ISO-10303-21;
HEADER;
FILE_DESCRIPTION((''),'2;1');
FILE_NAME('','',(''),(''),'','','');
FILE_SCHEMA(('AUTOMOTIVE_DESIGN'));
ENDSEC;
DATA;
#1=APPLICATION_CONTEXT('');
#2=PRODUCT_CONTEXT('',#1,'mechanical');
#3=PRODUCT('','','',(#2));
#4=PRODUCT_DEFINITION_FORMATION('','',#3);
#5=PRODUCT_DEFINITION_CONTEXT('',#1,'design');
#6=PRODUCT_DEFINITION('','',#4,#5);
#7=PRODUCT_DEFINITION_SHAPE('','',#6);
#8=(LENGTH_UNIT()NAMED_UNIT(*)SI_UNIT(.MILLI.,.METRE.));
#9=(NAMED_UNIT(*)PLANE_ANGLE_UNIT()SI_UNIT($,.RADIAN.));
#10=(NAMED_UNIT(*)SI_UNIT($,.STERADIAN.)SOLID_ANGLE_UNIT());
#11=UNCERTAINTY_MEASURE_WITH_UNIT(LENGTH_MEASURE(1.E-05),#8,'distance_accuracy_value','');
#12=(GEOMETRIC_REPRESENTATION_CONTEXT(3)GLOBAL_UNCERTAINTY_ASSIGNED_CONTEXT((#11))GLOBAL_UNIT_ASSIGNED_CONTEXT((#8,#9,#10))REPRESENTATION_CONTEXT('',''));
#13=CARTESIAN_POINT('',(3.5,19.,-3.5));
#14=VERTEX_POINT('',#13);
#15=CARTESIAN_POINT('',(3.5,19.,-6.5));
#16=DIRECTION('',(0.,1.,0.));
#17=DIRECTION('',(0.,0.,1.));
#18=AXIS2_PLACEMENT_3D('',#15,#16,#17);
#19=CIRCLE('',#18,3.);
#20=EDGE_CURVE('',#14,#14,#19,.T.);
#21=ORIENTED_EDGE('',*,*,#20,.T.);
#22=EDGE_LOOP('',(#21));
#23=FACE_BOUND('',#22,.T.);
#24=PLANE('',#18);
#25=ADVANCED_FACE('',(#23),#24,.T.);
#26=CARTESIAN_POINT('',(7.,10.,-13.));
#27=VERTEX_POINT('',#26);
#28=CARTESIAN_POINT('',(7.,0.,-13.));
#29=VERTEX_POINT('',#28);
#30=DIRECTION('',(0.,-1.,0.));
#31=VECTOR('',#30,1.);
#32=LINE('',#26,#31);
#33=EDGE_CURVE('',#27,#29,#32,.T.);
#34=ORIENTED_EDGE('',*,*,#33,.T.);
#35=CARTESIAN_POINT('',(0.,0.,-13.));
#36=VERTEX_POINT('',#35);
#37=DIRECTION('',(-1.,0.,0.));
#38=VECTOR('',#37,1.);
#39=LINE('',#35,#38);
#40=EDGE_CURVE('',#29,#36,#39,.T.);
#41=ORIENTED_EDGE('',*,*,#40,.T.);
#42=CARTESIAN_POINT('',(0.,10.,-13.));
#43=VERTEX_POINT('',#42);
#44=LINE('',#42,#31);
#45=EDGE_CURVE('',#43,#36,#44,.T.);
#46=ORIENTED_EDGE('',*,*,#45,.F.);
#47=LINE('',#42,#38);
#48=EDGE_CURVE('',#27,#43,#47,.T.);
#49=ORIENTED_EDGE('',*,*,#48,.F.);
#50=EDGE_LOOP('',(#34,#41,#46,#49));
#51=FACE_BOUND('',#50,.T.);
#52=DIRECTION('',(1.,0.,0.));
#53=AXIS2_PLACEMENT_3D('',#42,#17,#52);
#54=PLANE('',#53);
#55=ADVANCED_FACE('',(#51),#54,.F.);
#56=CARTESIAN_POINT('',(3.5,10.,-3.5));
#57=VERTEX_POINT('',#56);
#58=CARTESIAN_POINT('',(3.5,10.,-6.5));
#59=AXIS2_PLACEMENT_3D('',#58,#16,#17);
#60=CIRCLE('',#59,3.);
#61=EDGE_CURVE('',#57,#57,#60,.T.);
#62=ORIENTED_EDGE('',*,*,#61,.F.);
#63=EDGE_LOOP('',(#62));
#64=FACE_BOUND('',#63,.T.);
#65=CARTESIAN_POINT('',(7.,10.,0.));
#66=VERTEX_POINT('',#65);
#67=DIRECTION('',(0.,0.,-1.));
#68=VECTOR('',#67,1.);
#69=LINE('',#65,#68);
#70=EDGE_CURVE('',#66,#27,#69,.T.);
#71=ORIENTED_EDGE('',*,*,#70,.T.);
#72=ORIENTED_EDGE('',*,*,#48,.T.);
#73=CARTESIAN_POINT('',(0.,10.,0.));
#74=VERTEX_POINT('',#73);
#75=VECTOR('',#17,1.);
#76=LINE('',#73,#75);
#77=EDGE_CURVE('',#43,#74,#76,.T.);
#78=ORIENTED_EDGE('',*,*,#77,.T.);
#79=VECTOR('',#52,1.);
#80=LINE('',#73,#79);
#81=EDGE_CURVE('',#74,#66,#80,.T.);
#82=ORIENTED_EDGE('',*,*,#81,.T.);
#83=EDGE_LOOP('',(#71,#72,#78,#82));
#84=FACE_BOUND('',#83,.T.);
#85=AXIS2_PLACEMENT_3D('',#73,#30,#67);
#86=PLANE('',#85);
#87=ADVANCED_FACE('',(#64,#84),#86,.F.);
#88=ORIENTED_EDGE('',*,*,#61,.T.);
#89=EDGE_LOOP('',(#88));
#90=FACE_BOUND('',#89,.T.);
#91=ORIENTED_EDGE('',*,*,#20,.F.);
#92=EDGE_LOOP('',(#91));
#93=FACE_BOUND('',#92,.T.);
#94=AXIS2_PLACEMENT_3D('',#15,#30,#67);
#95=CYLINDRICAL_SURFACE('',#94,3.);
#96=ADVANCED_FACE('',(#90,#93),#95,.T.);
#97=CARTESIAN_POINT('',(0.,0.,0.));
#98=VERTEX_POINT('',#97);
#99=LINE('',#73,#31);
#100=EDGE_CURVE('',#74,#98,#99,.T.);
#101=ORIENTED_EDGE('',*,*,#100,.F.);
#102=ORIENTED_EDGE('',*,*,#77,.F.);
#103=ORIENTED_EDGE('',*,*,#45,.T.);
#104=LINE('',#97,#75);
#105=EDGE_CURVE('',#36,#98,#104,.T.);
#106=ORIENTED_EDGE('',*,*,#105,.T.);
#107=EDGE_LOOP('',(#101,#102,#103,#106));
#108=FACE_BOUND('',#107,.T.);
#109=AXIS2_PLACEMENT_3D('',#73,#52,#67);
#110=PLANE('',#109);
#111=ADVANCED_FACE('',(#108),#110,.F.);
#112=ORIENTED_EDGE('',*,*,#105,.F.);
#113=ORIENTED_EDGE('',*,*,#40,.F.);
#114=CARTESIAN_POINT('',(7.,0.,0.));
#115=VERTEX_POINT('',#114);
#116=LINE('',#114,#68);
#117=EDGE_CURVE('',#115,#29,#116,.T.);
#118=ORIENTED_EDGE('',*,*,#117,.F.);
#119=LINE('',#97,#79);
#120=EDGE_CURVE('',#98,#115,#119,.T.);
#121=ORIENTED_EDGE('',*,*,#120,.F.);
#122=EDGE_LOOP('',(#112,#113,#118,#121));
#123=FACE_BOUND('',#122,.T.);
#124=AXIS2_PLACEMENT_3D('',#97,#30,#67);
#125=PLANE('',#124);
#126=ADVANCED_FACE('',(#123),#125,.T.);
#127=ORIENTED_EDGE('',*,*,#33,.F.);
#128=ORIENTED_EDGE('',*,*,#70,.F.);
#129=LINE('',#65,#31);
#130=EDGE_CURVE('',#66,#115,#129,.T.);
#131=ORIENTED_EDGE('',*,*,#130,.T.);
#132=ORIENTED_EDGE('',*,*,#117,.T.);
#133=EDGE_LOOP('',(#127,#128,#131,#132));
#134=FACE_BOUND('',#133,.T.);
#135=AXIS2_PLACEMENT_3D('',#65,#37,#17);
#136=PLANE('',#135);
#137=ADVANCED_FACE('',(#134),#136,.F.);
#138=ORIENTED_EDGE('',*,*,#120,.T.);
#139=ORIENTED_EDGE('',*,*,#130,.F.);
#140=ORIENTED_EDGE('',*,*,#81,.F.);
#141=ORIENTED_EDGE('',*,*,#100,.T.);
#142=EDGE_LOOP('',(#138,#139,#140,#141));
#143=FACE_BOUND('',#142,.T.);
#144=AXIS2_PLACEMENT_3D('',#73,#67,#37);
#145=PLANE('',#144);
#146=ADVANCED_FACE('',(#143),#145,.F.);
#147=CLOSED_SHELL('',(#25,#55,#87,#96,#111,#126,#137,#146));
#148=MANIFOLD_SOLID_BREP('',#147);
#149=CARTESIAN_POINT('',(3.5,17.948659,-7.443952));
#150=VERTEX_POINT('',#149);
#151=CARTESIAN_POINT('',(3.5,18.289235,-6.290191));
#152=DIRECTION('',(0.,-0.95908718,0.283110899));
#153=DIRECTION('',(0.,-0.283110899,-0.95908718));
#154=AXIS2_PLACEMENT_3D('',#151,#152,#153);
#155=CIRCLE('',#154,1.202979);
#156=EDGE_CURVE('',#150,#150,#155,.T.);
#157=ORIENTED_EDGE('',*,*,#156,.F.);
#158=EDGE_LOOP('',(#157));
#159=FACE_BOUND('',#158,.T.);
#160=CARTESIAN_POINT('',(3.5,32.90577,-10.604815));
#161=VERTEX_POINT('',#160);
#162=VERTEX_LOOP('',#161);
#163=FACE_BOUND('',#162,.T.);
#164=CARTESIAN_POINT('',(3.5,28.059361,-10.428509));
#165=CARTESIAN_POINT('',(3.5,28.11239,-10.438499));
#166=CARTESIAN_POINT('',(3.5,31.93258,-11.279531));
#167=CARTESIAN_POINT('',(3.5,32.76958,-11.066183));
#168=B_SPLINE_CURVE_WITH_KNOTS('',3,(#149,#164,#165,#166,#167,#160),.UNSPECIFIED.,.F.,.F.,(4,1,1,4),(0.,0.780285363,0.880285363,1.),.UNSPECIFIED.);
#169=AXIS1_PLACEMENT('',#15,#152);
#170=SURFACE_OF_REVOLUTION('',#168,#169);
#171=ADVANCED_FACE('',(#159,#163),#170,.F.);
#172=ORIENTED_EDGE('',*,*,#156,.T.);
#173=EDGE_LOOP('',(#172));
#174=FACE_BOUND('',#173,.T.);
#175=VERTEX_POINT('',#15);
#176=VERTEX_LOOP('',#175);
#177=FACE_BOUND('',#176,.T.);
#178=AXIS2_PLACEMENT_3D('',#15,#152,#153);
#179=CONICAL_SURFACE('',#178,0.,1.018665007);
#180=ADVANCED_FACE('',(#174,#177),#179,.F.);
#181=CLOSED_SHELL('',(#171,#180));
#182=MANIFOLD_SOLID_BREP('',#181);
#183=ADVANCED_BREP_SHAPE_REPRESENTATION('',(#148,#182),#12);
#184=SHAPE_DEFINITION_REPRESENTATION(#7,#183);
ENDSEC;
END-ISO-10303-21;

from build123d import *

# Parameters (mm, degrees)
SCHIZZO1_W                   = 7
SCHIZZO1_H                   = 13
ESTRUSIONE_ESTRUSIONE1_DEPTH = 10
SCHIZZO2_R                   = 3
ESTRUSIONE_ESTRUSIONE2_DEPTH = 9


with BuildPart() as part:
    # Schizzo1 → Estrusione-Estrusione1 (new body)
    with BuildSketch(Plane(origin=(0, 0, 0), x_dir=(1, 0, 0), z_dir=(0, 1, 0))):
        with Locations((3.5, 6.5)):
            Rectangle(SCHIZZO1_W, SCHIZZO1_H)
    extrude(amount=ESTRUSIONE_ESTRUSIONE1_DEPTH)

    # Schizzo2 → Estrusione-Estrusione2 (add)
    with BuildSketch(Plane(origin=(0, 10, 0), x_dir=(1, 0, 0), z_dir=(0, 1, 0))):
        with Locations(Location((3.5, 6.5, 0), (0, 0, 270))):
            Circle(SCHIZZO2_R)
    extrude(amount=ESTRUSIONE_ESTRUSIONE2_DEPTH)


with BuildPart() as body_2:
    # Schizzo5 → Rivoluzione1 (revolve)
    with BuildSketch(Plane(origin=(3.5, 0, 0), x_dir=(0, 0, -1), z_dir=(1, 0, 0))):
        with BuildLine():
            Line((6.5, 19), (10.604814586, 32.905769973))
            add(Edge.make_bspline(
                [(10.604814586, 32.905769973), (11.066183218, 32.769579551), (11.279530845, 31.932579848), (10.438498824, 28.112389995), (10.428508858, 28.059361062), (7.443952191, 17.948658713)],
                knots=[0, 0, 0, 0, 0.119714637, 0.219714637, 1, 1, 1, 1], degree=3))
            Line((7.443952191, 17.948658713), (6.5, 19))
        make_face()
    revolve(axis=Axis((3.5, 19, -6.5), (0, 0.9590871798695411, -0.28311089948974166)))


solid = Compound([part.part, body_2.part])
